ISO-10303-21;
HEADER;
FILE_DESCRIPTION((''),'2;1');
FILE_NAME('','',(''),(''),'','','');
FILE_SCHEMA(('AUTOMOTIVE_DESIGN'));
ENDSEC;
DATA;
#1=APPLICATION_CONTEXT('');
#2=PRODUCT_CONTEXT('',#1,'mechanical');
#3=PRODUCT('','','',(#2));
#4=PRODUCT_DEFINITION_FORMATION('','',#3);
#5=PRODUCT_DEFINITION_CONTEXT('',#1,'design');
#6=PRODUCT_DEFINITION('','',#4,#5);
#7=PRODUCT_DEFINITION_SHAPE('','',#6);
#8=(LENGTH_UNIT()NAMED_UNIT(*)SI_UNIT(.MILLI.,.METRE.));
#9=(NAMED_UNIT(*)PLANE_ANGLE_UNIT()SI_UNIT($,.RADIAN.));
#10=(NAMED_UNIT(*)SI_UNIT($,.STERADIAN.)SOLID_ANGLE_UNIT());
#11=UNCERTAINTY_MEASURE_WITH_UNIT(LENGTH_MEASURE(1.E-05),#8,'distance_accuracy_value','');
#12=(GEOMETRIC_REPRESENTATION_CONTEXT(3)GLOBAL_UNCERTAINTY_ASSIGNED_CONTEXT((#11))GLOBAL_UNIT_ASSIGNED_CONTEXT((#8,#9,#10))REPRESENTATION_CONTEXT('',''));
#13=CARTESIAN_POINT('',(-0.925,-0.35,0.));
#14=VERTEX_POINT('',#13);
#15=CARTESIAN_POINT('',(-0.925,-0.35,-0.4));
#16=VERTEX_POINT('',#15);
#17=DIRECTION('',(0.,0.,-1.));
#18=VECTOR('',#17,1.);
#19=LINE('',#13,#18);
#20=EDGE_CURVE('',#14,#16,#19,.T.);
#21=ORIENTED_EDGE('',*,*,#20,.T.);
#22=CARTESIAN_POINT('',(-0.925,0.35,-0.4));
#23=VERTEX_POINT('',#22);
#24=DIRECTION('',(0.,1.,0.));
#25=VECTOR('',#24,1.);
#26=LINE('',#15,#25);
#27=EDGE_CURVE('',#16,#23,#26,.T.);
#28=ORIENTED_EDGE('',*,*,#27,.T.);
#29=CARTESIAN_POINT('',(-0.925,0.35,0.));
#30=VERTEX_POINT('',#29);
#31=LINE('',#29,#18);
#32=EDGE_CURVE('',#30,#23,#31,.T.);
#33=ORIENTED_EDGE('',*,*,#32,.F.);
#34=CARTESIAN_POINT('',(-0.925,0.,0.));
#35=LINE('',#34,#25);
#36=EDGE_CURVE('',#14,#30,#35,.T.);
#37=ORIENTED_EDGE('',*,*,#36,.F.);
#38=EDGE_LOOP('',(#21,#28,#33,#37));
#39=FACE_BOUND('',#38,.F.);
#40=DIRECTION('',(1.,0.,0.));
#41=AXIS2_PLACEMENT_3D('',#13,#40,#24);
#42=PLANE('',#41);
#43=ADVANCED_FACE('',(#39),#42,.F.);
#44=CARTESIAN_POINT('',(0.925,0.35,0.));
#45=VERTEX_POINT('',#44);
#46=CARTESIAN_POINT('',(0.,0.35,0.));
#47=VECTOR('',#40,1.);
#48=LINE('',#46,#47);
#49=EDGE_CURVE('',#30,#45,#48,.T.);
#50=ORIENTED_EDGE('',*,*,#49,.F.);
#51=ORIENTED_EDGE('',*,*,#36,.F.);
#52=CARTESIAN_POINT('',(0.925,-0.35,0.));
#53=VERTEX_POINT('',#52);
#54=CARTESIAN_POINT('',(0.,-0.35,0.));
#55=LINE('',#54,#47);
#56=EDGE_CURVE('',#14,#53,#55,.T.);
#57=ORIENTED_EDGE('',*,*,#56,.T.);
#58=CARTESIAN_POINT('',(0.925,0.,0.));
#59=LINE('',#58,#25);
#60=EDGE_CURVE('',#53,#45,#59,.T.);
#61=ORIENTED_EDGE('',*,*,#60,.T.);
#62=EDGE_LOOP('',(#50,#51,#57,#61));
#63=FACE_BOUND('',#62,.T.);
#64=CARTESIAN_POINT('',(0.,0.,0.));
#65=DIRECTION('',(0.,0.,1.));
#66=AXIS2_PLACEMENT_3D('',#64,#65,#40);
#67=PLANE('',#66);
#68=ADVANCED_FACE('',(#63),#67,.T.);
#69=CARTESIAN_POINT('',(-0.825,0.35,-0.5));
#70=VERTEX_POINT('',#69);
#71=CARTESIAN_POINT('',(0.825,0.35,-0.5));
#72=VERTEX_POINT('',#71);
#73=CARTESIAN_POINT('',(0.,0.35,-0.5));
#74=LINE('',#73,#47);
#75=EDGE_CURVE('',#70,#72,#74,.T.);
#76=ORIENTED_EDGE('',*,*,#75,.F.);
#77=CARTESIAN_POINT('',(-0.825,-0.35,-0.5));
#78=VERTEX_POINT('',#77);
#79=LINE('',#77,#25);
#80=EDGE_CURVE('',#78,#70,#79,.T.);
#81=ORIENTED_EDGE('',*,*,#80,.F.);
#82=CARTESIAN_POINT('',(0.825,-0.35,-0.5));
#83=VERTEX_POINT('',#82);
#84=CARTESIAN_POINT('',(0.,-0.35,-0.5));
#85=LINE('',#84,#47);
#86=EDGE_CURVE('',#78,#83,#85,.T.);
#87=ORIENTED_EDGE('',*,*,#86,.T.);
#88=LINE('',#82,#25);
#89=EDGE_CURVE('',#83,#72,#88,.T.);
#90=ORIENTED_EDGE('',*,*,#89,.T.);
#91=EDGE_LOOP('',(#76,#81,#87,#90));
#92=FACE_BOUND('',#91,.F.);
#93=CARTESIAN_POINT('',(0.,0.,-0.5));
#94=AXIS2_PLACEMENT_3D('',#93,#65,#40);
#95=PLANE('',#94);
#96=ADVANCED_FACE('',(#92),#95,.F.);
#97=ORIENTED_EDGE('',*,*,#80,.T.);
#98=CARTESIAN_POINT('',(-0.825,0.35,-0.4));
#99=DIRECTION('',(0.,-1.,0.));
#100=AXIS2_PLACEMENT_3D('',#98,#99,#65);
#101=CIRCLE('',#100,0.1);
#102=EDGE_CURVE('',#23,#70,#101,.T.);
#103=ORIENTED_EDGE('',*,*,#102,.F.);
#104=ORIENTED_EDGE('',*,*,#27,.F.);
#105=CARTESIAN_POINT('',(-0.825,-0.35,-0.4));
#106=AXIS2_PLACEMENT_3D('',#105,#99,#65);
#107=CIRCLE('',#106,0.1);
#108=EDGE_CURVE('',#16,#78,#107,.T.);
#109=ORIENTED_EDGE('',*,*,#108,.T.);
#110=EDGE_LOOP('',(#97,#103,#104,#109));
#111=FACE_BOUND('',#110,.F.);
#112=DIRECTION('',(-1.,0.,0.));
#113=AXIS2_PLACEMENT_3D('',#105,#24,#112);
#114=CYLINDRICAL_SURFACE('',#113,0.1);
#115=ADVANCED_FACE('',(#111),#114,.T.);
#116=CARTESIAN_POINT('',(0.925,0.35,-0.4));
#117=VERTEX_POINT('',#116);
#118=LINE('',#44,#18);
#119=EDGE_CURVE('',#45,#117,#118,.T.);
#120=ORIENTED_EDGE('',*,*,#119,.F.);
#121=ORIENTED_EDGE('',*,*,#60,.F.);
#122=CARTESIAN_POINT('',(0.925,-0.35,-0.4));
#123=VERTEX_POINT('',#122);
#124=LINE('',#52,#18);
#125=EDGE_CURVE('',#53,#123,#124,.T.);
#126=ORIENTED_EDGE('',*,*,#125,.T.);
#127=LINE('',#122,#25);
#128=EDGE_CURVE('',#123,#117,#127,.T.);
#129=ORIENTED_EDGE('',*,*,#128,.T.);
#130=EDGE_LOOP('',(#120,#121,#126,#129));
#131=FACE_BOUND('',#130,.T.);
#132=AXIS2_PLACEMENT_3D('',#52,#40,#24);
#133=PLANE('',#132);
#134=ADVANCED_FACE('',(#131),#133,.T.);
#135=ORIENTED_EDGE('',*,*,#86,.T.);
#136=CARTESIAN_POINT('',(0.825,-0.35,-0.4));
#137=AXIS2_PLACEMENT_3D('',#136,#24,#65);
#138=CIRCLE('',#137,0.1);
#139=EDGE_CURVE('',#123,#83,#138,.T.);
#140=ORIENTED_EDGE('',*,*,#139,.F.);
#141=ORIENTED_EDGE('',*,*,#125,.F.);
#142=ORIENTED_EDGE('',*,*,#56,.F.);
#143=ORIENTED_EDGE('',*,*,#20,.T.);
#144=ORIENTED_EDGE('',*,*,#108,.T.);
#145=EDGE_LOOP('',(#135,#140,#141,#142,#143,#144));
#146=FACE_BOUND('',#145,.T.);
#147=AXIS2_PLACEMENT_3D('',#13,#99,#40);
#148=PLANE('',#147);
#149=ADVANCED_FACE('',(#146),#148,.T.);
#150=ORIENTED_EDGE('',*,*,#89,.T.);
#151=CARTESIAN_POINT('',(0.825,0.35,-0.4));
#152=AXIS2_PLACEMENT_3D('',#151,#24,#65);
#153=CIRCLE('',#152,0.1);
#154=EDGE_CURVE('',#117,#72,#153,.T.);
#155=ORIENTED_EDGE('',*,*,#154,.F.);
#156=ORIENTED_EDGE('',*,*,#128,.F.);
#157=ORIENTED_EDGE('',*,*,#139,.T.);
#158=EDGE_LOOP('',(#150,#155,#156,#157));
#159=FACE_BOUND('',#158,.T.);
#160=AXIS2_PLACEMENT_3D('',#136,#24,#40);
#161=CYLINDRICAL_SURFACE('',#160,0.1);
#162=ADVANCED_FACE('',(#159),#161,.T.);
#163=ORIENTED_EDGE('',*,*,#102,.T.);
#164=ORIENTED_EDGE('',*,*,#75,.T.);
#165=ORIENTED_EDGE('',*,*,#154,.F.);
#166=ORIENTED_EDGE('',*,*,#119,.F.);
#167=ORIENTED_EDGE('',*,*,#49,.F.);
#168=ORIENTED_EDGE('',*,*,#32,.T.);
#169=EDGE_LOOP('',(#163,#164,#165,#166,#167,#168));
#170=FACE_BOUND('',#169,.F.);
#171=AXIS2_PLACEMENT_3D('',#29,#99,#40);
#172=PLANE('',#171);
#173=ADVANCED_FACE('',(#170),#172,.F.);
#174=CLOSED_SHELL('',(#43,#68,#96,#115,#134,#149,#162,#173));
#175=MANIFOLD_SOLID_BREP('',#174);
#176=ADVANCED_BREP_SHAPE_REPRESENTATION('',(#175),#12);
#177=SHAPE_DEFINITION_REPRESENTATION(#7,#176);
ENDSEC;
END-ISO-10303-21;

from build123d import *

# Parameters (mm, degrees)
SKETCH_W  = 1.85
SKETCH_H  = 0.7
PAD_DEPTH = 0.5
FILLET_R  = 0.1


with BuildPart() as part:
    # Sketch → Pad (new body)
    with BuildSketch(Plane.XY):
        Rectangle(SKETCH_W, SKETCH_H)
    extrude(amount=-PAD_DEPTH)

    # Fillet
    fillet_edges = [part.edges().sort_by_distance(p)[0] for p in [
        (-0.925, 0, -0.5),
        (0.925, 0, -0.5),
    ]]
    fillet(fillet_edges, radius=FILLET_R)


solid = part.part
